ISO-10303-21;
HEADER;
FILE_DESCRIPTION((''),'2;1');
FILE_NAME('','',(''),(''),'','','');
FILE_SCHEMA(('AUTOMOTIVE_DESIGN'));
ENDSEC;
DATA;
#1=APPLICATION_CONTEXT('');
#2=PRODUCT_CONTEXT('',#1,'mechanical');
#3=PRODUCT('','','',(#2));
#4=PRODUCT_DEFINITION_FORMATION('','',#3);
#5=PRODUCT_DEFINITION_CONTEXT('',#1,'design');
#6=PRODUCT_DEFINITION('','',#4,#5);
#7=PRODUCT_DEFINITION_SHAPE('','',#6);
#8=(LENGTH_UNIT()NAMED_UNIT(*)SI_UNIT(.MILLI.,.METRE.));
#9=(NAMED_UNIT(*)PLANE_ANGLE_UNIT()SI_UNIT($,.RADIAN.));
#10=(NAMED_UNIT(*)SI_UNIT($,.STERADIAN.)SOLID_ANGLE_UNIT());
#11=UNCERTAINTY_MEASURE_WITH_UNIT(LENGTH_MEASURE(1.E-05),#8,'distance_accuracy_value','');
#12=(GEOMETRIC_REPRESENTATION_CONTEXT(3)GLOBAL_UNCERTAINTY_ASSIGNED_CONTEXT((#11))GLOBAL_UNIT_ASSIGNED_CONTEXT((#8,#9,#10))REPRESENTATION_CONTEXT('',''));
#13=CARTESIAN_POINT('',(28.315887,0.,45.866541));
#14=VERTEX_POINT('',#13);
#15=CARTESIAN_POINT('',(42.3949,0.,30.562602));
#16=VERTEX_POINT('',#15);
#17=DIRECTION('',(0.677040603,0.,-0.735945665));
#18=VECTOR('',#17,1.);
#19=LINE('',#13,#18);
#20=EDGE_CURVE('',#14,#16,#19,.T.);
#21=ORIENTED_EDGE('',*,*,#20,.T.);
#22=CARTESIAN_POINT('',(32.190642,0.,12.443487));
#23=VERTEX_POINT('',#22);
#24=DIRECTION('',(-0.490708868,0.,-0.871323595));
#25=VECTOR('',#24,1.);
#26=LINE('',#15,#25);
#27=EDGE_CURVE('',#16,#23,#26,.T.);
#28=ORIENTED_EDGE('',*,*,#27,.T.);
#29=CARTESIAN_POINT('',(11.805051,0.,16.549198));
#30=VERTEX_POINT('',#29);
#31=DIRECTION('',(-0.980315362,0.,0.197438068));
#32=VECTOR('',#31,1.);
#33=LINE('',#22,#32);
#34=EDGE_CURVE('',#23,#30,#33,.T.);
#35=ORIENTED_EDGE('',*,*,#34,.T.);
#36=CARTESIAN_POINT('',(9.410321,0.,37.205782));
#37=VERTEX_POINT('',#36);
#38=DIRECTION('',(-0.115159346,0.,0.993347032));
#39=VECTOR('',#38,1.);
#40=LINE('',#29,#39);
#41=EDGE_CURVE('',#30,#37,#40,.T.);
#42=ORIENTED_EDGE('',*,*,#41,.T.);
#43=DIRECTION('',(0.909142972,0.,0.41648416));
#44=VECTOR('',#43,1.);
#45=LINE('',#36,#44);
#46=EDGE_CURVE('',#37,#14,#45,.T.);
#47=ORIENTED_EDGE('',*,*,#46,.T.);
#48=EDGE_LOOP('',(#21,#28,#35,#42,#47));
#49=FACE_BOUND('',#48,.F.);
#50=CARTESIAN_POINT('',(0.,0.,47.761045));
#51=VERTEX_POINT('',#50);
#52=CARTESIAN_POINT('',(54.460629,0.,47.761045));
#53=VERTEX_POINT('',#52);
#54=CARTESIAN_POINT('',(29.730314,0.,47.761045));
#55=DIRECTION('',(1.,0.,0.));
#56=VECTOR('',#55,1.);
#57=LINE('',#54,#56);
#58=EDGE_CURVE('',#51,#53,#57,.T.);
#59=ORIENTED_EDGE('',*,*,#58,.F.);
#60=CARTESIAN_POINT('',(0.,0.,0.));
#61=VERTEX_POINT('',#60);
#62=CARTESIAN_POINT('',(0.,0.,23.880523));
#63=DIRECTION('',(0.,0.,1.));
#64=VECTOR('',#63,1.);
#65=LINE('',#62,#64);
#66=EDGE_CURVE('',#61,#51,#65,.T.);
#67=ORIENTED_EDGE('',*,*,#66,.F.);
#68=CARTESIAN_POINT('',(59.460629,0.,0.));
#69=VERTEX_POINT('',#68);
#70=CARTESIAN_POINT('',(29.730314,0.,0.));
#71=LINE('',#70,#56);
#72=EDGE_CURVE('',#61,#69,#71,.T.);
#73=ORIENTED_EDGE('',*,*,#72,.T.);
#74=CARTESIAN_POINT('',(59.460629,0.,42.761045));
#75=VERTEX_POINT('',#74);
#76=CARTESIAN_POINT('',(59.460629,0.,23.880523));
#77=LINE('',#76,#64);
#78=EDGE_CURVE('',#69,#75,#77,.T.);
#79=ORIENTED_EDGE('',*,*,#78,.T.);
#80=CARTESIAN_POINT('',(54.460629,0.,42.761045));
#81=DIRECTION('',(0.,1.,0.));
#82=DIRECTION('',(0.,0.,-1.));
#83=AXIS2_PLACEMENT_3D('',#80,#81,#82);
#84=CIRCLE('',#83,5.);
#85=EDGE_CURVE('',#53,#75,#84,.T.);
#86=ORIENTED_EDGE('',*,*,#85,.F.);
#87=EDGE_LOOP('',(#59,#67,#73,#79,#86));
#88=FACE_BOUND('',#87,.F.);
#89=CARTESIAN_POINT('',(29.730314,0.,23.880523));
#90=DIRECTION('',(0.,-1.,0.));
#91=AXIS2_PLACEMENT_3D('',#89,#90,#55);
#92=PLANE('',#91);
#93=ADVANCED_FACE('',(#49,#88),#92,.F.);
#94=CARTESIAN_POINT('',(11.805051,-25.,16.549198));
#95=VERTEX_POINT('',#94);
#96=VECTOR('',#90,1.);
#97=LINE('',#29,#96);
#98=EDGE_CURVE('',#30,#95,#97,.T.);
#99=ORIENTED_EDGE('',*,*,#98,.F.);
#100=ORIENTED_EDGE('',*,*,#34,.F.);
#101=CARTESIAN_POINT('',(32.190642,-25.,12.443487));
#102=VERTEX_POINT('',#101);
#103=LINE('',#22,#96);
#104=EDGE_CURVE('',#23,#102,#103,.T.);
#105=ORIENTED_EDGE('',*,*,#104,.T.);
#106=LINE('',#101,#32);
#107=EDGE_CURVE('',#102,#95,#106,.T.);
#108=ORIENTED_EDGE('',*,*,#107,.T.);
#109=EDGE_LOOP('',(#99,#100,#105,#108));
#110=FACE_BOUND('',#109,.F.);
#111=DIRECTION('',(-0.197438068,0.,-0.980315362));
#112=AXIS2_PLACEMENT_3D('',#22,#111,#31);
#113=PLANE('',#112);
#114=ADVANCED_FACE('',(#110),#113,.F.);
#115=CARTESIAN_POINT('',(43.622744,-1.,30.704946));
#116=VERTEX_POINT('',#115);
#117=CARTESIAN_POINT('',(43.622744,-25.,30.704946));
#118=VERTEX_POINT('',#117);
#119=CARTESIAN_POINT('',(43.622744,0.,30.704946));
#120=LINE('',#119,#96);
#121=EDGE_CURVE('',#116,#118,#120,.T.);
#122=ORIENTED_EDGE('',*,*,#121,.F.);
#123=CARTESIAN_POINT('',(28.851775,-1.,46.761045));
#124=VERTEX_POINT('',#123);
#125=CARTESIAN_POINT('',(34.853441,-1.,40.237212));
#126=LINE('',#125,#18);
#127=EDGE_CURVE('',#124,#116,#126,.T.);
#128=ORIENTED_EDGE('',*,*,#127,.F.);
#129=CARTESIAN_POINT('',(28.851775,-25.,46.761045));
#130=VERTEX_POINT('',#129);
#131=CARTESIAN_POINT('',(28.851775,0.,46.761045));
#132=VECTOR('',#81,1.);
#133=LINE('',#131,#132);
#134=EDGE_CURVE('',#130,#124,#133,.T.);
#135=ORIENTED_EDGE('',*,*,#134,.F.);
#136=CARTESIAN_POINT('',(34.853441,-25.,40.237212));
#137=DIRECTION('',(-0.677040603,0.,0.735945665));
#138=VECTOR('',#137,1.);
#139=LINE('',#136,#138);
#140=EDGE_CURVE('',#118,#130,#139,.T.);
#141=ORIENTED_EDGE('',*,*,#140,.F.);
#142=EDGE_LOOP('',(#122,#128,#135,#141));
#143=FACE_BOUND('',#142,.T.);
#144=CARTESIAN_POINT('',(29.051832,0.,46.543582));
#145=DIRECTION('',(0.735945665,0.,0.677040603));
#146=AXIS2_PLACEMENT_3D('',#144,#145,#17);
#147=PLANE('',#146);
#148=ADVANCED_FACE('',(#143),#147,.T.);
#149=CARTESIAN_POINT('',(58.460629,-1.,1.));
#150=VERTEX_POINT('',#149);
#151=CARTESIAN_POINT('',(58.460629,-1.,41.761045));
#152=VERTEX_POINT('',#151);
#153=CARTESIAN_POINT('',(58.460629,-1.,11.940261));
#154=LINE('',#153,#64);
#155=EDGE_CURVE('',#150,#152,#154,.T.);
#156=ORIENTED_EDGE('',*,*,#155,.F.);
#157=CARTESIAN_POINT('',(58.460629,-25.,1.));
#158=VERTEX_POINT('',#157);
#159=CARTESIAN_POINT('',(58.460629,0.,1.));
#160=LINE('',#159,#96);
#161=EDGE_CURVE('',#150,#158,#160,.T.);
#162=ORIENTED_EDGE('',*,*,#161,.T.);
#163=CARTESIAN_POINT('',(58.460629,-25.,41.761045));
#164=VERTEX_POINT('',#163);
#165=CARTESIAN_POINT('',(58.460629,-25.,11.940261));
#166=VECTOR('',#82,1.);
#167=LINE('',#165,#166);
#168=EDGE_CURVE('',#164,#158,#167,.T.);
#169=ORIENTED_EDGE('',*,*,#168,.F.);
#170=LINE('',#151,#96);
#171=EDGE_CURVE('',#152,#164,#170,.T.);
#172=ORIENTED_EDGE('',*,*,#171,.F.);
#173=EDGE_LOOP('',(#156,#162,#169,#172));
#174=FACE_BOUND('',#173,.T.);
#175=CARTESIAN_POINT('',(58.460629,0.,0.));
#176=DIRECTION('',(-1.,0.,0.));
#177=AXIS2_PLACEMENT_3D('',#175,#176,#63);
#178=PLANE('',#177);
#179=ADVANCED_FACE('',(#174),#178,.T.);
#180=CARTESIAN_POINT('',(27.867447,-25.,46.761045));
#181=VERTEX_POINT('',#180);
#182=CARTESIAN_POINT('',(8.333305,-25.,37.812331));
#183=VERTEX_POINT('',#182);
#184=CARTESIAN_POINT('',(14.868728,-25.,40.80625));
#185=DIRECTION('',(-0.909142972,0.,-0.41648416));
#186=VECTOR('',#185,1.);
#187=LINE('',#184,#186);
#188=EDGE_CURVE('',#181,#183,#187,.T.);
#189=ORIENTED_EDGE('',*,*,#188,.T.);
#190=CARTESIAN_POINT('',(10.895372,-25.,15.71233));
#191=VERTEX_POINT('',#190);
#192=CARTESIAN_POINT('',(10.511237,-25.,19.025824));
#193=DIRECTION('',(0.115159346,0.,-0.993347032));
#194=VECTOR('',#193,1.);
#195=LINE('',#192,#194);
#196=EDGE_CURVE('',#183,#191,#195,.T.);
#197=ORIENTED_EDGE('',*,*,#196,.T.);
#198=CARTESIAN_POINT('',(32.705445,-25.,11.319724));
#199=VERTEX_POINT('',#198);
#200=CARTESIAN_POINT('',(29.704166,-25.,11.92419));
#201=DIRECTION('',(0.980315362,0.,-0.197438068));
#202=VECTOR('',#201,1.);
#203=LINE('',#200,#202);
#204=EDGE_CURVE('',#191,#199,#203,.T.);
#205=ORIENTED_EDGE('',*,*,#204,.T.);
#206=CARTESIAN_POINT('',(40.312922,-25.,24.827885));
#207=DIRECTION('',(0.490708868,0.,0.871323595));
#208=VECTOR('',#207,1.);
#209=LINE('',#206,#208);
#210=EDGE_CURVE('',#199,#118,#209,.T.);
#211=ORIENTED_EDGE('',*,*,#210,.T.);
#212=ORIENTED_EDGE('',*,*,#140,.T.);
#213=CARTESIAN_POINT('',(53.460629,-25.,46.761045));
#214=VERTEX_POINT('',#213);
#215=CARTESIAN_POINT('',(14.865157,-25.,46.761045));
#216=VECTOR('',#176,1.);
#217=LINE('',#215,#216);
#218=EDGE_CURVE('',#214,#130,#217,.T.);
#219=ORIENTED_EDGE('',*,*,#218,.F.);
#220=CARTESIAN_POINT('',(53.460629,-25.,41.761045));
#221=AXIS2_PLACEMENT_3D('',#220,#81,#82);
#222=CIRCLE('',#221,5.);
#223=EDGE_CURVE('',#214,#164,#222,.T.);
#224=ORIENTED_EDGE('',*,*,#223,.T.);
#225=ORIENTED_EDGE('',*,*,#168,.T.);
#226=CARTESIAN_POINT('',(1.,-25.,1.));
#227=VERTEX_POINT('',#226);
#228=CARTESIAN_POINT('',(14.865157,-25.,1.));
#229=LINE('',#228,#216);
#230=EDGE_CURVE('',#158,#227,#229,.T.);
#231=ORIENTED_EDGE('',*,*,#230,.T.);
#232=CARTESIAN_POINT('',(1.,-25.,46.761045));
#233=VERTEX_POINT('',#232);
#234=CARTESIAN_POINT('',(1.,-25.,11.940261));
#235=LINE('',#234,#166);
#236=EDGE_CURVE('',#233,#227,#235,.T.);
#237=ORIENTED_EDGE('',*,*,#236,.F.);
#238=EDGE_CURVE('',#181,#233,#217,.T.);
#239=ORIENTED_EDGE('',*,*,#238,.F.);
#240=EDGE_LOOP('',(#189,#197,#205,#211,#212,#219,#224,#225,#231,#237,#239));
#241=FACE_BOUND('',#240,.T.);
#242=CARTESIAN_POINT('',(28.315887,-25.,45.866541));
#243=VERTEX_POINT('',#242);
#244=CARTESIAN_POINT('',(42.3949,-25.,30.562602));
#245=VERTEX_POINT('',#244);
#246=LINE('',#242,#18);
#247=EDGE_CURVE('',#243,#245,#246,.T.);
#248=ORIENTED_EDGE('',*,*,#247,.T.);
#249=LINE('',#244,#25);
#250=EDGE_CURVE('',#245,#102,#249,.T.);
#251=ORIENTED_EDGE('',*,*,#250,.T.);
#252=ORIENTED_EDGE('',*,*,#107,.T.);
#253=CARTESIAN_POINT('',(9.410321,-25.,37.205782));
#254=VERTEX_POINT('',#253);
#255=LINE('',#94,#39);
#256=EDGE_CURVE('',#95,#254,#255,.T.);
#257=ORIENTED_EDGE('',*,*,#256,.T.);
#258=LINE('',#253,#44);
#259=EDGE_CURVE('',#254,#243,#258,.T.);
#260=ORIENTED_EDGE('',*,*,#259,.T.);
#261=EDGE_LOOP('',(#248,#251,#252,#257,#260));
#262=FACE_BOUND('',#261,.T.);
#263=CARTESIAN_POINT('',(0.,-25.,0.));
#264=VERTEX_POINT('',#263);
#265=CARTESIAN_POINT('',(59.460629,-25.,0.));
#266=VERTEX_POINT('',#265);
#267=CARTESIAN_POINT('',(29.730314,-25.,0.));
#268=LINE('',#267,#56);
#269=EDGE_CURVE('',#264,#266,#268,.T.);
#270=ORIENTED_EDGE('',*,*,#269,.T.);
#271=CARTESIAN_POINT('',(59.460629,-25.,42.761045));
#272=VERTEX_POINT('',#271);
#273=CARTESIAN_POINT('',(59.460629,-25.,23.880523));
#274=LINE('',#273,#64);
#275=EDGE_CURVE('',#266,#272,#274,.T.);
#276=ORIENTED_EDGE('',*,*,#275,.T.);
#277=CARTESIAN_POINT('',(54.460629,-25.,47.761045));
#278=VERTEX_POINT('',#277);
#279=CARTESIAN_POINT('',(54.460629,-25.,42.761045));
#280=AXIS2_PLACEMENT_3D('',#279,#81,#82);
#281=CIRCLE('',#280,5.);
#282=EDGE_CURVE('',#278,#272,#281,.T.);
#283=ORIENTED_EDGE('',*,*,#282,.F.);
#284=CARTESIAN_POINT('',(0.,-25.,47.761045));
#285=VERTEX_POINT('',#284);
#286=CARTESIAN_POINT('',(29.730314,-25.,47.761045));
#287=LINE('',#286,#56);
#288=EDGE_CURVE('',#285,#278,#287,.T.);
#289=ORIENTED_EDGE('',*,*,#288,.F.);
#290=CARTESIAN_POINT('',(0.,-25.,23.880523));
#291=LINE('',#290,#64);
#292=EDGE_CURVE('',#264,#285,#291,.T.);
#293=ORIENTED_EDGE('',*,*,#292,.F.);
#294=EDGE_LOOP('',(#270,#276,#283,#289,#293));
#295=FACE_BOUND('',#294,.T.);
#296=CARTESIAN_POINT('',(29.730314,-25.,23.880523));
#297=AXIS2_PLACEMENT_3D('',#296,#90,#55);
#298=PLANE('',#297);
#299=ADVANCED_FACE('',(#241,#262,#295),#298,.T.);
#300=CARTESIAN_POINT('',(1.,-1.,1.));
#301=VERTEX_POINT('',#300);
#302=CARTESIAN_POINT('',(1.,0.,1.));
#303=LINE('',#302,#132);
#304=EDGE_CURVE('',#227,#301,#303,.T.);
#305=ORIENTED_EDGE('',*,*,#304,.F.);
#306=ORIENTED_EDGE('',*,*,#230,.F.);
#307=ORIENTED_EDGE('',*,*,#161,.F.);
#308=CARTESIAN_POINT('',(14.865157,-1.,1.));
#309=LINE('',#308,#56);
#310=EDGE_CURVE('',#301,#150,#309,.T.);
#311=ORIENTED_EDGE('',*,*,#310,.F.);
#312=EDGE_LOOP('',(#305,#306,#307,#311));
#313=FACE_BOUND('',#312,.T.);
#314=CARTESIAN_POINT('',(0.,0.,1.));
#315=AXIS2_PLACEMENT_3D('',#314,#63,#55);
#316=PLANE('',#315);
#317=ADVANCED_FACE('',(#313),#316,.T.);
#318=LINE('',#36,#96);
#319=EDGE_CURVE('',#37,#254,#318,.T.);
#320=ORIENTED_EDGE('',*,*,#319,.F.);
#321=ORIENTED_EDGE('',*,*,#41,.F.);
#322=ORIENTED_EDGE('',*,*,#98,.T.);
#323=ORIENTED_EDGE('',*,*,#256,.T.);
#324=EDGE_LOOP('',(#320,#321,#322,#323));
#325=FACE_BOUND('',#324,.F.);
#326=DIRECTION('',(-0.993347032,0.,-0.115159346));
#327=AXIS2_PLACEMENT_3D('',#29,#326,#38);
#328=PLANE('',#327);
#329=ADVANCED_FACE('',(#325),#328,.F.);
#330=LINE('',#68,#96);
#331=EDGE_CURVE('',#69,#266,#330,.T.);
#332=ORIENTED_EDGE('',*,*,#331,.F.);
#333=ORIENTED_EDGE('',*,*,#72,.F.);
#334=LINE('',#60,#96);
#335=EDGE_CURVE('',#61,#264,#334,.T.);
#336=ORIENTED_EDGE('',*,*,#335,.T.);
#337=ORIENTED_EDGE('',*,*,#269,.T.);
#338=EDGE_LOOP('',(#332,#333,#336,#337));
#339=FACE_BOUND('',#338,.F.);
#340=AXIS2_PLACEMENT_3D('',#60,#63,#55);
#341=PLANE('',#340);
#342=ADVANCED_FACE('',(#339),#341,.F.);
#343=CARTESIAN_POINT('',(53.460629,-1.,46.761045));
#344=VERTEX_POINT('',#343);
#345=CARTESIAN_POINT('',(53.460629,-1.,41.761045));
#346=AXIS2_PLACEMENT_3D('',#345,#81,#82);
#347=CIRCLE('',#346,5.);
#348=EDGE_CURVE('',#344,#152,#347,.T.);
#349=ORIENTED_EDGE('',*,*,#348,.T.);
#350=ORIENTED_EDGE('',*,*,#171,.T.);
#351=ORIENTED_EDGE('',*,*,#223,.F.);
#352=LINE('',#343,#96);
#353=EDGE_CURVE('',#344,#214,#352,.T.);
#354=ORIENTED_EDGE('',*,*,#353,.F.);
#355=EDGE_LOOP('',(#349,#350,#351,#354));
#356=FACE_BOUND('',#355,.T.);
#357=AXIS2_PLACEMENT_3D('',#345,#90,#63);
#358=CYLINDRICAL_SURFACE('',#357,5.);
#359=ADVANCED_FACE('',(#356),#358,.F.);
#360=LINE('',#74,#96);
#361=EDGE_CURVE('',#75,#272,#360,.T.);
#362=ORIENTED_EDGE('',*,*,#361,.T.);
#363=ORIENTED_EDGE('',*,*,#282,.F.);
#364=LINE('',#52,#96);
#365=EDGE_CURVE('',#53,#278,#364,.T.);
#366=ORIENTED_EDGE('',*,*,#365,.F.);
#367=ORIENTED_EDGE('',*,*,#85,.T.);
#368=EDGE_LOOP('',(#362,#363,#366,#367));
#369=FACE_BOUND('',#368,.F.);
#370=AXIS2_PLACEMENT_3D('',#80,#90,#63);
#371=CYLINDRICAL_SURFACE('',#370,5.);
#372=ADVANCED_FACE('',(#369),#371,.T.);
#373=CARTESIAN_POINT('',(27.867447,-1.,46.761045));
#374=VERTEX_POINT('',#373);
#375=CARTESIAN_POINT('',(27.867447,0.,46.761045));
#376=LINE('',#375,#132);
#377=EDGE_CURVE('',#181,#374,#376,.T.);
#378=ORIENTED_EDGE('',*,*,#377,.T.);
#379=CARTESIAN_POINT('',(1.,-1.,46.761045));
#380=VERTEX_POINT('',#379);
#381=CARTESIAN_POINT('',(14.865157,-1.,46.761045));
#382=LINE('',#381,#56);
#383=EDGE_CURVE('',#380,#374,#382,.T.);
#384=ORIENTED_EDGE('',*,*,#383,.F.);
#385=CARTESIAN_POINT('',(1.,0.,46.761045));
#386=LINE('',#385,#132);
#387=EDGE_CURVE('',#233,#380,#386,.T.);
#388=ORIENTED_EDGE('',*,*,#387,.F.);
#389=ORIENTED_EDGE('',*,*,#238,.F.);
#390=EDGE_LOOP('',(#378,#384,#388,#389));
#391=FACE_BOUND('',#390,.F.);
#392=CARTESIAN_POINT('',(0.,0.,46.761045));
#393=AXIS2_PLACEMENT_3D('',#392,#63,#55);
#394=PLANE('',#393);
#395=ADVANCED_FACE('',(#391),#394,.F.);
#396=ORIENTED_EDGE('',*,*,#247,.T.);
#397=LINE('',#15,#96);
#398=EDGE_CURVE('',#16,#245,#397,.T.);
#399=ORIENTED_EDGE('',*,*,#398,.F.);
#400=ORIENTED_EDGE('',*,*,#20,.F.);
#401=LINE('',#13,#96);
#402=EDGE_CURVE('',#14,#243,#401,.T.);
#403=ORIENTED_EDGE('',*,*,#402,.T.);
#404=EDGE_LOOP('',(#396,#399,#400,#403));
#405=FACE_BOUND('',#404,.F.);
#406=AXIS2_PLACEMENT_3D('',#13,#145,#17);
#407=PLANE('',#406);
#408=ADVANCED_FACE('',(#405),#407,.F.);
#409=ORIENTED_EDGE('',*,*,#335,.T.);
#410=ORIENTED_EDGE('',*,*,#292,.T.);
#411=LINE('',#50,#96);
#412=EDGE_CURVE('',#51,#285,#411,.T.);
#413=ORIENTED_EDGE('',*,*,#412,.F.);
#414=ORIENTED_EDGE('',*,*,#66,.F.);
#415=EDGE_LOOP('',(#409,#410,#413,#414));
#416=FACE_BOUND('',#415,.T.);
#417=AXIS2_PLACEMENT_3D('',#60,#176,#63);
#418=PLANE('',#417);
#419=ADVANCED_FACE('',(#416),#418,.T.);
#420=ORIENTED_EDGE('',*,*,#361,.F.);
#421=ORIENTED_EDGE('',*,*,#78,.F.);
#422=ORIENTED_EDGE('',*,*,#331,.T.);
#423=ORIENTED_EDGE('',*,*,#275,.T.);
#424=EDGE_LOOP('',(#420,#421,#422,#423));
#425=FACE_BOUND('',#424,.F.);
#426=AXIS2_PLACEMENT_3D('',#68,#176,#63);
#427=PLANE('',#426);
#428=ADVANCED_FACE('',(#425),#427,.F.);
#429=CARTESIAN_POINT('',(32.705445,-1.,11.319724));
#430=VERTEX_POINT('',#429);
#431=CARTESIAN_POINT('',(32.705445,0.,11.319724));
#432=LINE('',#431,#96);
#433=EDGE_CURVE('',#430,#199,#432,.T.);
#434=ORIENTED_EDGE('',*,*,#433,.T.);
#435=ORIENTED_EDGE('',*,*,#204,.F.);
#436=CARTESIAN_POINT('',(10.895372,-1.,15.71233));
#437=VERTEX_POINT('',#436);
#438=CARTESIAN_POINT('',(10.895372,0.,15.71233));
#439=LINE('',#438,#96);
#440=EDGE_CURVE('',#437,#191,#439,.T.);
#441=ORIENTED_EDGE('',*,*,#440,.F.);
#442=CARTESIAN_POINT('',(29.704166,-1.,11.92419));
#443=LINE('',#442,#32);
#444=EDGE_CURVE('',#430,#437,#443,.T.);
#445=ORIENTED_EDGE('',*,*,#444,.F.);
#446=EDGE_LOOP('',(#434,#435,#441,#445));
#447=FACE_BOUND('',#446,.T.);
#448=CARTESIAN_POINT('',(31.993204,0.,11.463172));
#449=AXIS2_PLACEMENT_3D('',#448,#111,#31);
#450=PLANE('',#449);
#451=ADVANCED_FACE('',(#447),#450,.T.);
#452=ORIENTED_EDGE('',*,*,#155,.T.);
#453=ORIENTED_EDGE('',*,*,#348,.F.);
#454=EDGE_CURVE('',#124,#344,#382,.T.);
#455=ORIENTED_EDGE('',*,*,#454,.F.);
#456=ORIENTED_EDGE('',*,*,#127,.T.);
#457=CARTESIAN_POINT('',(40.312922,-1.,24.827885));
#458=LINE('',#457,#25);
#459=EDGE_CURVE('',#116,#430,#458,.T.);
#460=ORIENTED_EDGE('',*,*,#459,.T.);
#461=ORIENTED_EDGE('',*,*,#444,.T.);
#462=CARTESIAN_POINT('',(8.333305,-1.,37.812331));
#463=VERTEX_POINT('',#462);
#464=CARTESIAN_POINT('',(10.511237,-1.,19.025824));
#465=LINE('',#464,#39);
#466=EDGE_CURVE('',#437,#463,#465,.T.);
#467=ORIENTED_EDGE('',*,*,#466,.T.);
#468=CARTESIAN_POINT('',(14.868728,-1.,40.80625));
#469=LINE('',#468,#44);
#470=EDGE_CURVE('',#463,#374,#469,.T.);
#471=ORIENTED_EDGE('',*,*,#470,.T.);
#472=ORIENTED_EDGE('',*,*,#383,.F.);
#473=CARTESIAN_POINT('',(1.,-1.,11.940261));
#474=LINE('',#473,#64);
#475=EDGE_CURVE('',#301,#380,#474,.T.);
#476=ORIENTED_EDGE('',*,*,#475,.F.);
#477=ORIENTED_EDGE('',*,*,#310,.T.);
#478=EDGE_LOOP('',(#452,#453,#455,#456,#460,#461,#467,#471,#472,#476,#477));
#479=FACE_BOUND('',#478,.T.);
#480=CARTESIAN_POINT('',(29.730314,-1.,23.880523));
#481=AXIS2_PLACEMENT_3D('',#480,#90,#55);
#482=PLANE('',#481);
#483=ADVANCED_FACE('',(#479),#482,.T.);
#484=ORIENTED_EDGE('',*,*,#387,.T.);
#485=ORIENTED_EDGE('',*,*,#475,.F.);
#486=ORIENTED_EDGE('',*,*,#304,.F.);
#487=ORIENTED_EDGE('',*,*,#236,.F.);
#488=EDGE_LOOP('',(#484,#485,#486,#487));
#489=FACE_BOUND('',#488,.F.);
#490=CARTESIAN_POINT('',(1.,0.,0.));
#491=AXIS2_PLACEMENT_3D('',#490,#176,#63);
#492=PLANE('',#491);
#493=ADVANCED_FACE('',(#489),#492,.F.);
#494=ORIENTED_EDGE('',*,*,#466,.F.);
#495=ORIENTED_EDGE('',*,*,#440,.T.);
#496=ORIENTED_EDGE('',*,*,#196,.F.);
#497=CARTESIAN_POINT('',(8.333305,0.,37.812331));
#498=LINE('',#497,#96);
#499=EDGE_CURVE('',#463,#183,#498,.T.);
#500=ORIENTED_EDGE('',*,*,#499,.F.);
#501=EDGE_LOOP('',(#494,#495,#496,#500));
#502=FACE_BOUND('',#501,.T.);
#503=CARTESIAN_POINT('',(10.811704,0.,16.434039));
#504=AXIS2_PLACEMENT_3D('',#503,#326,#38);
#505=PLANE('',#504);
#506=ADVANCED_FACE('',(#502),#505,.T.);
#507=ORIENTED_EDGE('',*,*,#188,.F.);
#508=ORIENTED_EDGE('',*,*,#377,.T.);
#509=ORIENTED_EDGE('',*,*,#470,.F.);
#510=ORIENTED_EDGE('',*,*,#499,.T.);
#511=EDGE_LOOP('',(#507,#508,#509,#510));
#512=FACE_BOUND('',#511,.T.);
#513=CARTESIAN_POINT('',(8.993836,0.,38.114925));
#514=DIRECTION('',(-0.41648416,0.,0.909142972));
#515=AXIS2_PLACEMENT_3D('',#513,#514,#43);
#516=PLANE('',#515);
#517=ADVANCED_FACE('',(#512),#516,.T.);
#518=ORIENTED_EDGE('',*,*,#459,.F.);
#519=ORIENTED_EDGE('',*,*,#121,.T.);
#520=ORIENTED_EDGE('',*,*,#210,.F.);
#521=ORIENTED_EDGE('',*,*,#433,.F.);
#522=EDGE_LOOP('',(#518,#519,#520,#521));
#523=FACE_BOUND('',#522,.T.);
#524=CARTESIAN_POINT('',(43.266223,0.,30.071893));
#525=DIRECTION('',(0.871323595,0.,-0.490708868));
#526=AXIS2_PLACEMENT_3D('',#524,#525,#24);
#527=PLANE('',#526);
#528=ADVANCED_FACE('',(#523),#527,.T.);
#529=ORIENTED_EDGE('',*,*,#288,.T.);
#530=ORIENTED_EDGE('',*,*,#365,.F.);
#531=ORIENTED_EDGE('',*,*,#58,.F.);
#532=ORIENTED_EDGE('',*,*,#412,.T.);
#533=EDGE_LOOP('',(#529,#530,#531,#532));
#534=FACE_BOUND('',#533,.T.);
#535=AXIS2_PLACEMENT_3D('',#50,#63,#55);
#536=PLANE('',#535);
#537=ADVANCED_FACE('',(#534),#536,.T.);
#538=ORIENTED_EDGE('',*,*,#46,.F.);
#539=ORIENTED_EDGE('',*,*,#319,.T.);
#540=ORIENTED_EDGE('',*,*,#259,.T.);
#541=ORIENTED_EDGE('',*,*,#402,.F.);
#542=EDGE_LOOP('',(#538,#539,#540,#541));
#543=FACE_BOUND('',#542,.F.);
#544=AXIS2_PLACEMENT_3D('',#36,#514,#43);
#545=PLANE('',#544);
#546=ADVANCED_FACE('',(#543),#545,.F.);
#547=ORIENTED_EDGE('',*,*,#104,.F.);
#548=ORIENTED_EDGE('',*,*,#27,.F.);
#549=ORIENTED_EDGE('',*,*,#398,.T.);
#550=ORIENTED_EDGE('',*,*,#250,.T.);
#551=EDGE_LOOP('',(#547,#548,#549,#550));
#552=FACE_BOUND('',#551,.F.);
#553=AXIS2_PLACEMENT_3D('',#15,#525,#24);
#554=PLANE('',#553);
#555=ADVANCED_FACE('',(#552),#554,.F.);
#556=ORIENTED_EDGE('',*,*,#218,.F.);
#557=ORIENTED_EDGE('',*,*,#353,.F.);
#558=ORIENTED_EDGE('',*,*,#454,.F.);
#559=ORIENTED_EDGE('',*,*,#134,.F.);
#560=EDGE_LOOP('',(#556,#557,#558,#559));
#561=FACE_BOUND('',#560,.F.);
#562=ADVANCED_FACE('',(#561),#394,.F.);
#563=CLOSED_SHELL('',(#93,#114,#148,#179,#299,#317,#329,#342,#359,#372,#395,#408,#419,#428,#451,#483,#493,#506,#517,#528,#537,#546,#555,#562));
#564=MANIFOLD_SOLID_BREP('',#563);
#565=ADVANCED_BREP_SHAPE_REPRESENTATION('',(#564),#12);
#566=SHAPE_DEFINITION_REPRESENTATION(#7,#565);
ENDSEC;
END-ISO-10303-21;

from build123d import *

# Parameters (mm, degrees)
F0_W     = 59.4606287777
F0_H     = 47.7610453963
F1_DEPTH = 25
F2_T     = -1
F3_R     = 5


with BuildPart() as f1:
    # F0 (on Front) → F1 (new body)
    with BuildSketch(Plane.XZ):
        with Locations((29.7303143889, 23.8805226982)):
            Rectangle(F0_W, F0_H)
        Polygon((28.3158866396, 45.8665414289), (42.3948997325, 30.5626016077), (32.1906423503, 12.443486977), (11.8050513651, 16.5491981105), (9.4103206379, 37.2057817696), align=None, mode=Mode.SUBTRACT)
    extrude(amount=F1_DEPTH)

    # F2
    f2_openings = [f1.faces().sort_by_distance(p)[0] for p in [
        (0.762672, -25, 23.880523),
    ]]
    offset(amount=F2_T, openings=f2_openings, kind=Kind.INTERSECTION)

    # F3
    f3_edges = [f1.edges().sort_by_distance(p)[0] for p in [
        (58.460629, -13, 46.761045),
        (59.460629, -12.5, 47.761045),
    ]]
    fillet(f3_edges, radius=F3_R)


solid = f1.part
